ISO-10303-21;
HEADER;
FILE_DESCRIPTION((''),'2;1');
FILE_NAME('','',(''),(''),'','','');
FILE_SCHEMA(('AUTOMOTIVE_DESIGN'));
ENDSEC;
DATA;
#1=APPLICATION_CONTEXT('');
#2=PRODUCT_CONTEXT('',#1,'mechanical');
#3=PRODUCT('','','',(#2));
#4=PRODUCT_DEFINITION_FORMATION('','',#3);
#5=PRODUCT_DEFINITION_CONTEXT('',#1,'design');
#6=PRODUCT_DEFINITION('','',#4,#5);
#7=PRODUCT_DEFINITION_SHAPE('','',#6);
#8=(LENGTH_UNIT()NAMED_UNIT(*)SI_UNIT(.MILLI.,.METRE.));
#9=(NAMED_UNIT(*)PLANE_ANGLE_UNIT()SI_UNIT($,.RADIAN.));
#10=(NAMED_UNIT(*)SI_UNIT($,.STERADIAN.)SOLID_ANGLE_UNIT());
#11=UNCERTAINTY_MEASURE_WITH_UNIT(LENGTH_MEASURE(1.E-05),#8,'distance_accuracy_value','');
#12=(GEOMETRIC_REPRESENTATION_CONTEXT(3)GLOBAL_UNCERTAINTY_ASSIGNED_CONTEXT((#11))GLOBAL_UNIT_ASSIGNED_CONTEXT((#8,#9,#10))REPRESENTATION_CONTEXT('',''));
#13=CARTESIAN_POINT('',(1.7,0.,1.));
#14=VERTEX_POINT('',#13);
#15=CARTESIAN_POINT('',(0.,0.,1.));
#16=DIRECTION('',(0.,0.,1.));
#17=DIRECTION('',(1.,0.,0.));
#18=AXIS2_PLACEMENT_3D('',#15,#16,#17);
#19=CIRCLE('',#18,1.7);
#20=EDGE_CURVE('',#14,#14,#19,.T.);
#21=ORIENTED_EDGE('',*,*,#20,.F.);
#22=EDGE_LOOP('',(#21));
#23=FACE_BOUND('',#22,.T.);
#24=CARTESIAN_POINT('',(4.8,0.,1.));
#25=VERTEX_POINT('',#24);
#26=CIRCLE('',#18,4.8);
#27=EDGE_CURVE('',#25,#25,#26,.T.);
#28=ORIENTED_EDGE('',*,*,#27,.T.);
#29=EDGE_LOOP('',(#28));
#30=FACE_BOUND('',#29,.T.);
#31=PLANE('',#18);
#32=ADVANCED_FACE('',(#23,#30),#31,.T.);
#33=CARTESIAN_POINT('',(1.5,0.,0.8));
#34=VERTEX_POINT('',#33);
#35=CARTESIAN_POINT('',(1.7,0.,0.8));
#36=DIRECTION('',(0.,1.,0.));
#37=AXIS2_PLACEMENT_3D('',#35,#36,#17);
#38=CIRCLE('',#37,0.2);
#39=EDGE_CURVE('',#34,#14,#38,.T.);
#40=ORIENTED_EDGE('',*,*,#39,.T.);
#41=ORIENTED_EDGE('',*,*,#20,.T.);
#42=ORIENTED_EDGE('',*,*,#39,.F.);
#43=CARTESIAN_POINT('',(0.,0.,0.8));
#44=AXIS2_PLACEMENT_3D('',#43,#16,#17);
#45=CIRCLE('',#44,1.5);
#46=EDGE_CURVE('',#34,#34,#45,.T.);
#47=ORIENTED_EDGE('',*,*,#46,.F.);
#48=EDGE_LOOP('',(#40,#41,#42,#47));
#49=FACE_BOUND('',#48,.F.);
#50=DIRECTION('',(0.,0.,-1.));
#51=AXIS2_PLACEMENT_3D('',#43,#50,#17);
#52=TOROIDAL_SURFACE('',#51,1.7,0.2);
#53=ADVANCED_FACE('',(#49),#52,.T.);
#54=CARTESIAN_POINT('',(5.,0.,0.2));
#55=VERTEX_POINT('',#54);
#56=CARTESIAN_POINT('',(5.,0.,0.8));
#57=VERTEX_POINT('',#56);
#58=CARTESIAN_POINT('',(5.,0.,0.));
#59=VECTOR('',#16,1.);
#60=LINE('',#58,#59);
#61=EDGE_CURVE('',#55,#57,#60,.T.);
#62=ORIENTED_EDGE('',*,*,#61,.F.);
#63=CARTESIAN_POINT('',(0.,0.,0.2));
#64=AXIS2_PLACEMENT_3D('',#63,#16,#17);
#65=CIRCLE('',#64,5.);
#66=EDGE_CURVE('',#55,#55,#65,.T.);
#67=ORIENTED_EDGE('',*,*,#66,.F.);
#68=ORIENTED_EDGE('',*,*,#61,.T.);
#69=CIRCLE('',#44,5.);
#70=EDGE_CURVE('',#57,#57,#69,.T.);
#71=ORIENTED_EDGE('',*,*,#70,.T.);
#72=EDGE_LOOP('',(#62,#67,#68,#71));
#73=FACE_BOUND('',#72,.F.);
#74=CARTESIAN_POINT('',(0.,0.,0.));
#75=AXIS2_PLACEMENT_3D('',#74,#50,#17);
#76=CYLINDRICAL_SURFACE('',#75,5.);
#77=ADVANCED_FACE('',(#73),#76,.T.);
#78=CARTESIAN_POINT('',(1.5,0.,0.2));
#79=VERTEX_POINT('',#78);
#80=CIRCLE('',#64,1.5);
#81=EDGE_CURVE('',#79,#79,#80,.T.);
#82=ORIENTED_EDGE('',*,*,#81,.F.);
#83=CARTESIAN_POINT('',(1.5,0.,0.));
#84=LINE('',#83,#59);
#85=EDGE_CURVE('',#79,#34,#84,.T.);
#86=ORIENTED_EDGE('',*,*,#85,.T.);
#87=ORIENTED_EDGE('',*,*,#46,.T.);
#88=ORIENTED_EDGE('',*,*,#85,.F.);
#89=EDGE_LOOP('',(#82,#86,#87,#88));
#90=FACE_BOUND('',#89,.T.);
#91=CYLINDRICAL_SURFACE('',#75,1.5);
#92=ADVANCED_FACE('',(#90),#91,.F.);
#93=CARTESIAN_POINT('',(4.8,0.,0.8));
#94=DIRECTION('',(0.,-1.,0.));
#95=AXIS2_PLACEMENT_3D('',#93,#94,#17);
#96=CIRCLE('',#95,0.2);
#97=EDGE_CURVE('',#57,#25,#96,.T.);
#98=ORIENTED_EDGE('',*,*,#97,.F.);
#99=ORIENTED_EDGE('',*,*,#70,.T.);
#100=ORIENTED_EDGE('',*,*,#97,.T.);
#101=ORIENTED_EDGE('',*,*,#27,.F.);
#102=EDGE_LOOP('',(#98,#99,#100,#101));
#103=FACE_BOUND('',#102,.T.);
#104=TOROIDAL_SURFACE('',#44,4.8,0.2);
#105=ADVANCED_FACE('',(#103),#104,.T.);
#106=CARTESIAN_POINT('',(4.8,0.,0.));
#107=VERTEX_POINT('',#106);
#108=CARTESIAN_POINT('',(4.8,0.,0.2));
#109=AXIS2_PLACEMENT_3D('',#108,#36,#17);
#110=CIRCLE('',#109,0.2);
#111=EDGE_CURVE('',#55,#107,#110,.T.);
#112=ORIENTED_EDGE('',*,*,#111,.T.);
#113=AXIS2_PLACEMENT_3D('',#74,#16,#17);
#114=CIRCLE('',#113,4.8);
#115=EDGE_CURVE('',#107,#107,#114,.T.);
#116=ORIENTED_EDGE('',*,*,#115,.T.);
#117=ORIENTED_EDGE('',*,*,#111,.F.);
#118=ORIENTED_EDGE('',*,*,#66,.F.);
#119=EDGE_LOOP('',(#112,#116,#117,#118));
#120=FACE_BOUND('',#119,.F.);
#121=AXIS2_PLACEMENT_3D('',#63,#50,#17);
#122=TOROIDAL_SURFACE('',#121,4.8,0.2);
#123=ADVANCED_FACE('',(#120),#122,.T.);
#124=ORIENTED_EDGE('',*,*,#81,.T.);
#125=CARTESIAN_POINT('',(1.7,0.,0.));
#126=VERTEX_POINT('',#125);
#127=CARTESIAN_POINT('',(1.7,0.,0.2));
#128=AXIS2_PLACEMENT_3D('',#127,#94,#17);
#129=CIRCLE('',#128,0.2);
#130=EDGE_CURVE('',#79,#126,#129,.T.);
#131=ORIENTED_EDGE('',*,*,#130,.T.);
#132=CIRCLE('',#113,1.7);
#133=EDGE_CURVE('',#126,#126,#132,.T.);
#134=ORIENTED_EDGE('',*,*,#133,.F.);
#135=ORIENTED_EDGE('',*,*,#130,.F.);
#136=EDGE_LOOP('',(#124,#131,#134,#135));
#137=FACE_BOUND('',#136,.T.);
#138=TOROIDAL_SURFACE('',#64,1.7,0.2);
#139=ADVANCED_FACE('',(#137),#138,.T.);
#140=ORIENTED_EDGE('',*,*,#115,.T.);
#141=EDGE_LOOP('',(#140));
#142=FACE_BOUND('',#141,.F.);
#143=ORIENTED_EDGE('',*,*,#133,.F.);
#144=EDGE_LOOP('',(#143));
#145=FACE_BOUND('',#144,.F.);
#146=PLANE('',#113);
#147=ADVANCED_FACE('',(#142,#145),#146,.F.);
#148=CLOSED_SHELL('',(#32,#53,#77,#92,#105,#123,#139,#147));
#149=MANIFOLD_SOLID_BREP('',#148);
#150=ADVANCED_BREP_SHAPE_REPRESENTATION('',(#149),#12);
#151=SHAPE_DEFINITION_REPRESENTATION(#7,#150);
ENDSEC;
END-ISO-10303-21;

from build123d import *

# Parameters (mm, degrees)
F1_R     = 5
F1_R_2   = 1.5
F2_DEPTH = 1
F3_R     = 0.2


with BuildPart() as f2:
    # F1 (on offset) → F2 (new body)
    with BuildSketch(Plane.XY):
        Circle(F1_R)
        Circle(F1_R_2, mode=Mode.SUBTRACT)
    extrude(amount=F2_DEPTH)

    # F3
    f3_edges = [f2.edges().sort_by_distance(p)[0] for p in [
        (-5, 0, 1),
        (-1.5, 0, 1),
        (-5, 0, 0),
        (-1.5, 0, 0),
    ]]
    fillet(f3_edges, radius=F3_R)


solid = f2.part
